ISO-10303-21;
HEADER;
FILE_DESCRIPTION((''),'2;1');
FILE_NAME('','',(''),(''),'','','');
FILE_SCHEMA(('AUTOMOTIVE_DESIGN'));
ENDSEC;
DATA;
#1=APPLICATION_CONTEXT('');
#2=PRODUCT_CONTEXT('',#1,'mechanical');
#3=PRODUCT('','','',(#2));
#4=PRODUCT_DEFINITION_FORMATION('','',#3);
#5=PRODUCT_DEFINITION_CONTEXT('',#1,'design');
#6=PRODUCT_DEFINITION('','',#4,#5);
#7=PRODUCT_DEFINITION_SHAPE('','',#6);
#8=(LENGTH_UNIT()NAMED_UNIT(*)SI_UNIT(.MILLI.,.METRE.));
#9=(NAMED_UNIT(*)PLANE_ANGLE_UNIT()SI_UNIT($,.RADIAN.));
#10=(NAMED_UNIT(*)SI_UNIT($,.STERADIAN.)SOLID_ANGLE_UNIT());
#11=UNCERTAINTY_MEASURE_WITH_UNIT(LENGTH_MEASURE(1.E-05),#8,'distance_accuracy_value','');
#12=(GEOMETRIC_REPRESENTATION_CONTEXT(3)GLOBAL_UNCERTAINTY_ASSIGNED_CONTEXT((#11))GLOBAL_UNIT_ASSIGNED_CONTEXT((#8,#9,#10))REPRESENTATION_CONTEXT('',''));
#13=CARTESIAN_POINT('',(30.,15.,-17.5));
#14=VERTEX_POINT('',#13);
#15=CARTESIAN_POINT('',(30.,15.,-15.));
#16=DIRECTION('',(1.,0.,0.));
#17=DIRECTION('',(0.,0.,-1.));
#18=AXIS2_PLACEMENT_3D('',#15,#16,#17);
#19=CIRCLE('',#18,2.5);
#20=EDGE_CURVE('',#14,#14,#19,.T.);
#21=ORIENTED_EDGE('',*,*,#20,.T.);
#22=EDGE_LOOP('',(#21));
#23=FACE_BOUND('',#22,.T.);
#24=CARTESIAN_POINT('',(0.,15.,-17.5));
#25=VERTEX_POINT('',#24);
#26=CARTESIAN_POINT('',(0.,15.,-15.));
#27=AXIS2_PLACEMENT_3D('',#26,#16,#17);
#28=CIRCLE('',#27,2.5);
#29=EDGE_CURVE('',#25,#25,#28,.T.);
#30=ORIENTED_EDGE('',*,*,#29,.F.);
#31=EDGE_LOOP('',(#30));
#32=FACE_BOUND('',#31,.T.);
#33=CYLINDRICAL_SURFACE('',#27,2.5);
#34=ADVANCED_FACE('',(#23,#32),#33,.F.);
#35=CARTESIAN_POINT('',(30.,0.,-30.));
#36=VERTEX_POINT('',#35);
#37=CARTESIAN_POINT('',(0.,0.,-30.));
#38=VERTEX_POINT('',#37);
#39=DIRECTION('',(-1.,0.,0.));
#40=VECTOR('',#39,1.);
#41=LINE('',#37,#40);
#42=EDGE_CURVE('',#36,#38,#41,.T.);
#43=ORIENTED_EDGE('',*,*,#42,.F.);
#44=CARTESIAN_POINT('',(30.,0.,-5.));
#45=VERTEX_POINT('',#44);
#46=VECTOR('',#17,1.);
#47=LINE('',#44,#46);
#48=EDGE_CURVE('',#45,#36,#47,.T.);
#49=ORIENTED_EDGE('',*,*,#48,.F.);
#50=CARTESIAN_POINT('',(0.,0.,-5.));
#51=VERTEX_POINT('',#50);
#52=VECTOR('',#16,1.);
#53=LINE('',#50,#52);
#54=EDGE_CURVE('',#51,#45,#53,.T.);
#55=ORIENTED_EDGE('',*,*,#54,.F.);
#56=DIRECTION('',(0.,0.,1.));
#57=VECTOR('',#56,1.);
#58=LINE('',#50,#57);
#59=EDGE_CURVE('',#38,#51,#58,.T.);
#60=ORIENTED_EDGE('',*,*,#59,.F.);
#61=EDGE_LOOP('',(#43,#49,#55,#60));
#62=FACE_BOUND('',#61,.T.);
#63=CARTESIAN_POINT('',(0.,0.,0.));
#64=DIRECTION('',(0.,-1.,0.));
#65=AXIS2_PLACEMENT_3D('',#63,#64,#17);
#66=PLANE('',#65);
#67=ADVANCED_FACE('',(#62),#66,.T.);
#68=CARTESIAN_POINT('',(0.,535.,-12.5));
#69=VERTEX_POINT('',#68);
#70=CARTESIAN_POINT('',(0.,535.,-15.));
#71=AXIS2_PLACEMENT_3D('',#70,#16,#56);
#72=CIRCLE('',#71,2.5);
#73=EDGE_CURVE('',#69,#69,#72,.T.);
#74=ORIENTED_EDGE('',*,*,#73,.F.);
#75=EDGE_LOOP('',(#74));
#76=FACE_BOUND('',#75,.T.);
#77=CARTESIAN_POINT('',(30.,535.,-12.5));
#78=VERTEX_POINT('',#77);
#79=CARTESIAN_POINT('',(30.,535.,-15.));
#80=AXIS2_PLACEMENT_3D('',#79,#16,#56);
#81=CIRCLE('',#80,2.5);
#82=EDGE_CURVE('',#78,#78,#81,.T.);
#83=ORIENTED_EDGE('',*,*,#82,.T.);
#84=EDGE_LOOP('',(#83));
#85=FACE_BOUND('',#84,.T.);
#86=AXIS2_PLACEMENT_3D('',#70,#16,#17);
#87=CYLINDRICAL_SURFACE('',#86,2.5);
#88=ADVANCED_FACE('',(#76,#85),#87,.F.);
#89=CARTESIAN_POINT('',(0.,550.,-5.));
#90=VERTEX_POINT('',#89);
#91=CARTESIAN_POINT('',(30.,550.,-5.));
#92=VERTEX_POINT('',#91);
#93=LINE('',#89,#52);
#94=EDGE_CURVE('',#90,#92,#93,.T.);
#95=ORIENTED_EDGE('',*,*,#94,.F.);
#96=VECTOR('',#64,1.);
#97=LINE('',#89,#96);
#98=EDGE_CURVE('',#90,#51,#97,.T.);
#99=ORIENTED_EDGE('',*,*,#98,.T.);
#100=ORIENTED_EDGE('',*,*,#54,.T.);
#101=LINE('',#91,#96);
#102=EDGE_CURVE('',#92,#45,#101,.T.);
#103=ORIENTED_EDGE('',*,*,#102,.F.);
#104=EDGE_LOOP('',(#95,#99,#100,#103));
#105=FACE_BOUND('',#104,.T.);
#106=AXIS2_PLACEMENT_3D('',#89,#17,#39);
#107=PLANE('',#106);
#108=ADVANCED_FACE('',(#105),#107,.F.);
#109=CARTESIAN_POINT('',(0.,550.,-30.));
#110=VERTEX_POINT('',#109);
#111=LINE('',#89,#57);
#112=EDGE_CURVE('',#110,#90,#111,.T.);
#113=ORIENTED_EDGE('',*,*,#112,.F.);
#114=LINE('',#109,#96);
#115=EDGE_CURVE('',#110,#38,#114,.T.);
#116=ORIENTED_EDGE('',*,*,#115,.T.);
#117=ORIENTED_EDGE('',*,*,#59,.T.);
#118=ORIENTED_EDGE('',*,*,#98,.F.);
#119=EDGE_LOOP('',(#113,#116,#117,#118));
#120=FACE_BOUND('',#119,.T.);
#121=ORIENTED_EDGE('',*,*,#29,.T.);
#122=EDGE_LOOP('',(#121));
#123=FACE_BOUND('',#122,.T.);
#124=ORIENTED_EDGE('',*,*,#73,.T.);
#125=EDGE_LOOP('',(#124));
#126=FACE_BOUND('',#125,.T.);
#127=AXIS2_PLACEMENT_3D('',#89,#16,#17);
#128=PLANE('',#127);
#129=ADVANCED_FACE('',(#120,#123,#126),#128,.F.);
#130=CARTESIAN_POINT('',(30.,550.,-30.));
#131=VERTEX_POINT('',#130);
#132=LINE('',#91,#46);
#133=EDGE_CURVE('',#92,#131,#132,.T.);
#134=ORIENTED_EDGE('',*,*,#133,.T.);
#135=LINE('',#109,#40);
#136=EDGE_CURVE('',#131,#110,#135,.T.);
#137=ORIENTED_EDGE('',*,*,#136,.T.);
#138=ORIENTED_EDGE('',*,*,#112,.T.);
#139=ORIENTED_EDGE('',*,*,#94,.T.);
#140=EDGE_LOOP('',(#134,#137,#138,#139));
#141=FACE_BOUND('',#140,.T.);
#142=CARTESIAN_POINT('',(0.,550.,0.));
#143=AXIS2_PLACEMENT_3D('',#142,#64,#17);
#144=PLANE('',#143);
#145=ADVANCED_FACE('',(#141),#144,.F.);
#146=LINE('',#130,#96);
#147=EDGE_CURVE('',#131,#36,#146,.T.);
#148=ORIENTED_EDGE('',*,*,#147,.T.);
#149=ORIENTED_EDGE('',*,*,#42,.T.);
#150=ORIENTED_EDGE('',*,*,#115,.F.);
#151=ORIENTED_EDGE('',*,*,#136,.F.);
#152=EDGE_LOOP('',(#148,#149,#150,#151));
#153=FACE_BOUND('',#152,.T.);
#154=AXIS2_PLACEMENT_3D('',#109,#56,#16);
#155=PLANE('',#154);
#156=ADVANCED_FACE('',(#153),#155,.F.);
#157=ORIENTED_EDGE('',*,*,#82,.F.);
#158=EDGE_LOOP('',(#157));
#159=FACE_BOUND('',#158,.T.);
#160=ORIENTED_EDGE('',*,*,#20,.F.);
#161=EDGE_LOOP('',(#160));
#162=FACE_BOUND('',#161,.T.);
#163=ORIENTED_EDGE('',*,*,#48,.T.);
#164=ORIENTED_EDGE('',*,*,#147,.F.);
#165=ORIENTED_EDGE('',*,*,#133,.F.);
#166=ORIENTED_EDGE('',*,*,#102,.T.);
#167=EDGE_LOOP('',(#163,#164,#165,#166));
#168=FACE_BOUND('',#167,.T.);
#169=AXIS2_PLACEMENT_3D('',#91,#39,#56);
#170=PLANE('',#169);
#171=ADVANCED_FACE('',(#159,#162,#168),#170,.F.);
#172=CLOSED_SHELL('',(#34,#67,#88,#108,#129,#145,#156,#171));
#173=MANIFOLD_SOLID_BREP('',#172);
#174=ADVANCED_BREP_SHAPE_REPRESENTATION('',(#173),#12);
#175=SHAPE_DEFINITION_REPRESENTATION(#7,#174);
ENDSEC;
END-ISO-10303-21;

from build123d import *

# Parameters (mm, degrees)
SKETCH1_W           = 30
SKETCH1_H           = 25
BOSS_EXTRUDE1_DEPTH = 550
SKETCH2_R           = 2.5
CUT_EXTRUDE1_DEPTH  = 31


with BuildPart() as part:
    # Sketch1 → Boss-Extrude1 (new body)
    with BuildSketch(Plane(origin=(0, 0, 0), x_dir=(1, 0, 0), z_dir=(0, 1, 0))):
        with Locations((15, 17.5)):
            Rectangle(SKETCH1_W, SKETCH1_H)
    extrude(amount=BOSS_EXTRUDE1_DEPTH)

    # Sketch2 → Cut-Extrude1 (cut, through all)
    with BuildSketch(Plane(origin=(30, 0, 0), x_dir=(0, 0, -1), z_dir=(1, 0, 0))):
        with Locations((15, 15)):
            Circle(SKETCH2_R)
        with Locations((15, 535)):
            Circle(SKETCH2_R)
    extrude(amount=-CUT_EXTRUDE1_DEPTH, mode=Mode.SUBTRACT)


solid = part.part
